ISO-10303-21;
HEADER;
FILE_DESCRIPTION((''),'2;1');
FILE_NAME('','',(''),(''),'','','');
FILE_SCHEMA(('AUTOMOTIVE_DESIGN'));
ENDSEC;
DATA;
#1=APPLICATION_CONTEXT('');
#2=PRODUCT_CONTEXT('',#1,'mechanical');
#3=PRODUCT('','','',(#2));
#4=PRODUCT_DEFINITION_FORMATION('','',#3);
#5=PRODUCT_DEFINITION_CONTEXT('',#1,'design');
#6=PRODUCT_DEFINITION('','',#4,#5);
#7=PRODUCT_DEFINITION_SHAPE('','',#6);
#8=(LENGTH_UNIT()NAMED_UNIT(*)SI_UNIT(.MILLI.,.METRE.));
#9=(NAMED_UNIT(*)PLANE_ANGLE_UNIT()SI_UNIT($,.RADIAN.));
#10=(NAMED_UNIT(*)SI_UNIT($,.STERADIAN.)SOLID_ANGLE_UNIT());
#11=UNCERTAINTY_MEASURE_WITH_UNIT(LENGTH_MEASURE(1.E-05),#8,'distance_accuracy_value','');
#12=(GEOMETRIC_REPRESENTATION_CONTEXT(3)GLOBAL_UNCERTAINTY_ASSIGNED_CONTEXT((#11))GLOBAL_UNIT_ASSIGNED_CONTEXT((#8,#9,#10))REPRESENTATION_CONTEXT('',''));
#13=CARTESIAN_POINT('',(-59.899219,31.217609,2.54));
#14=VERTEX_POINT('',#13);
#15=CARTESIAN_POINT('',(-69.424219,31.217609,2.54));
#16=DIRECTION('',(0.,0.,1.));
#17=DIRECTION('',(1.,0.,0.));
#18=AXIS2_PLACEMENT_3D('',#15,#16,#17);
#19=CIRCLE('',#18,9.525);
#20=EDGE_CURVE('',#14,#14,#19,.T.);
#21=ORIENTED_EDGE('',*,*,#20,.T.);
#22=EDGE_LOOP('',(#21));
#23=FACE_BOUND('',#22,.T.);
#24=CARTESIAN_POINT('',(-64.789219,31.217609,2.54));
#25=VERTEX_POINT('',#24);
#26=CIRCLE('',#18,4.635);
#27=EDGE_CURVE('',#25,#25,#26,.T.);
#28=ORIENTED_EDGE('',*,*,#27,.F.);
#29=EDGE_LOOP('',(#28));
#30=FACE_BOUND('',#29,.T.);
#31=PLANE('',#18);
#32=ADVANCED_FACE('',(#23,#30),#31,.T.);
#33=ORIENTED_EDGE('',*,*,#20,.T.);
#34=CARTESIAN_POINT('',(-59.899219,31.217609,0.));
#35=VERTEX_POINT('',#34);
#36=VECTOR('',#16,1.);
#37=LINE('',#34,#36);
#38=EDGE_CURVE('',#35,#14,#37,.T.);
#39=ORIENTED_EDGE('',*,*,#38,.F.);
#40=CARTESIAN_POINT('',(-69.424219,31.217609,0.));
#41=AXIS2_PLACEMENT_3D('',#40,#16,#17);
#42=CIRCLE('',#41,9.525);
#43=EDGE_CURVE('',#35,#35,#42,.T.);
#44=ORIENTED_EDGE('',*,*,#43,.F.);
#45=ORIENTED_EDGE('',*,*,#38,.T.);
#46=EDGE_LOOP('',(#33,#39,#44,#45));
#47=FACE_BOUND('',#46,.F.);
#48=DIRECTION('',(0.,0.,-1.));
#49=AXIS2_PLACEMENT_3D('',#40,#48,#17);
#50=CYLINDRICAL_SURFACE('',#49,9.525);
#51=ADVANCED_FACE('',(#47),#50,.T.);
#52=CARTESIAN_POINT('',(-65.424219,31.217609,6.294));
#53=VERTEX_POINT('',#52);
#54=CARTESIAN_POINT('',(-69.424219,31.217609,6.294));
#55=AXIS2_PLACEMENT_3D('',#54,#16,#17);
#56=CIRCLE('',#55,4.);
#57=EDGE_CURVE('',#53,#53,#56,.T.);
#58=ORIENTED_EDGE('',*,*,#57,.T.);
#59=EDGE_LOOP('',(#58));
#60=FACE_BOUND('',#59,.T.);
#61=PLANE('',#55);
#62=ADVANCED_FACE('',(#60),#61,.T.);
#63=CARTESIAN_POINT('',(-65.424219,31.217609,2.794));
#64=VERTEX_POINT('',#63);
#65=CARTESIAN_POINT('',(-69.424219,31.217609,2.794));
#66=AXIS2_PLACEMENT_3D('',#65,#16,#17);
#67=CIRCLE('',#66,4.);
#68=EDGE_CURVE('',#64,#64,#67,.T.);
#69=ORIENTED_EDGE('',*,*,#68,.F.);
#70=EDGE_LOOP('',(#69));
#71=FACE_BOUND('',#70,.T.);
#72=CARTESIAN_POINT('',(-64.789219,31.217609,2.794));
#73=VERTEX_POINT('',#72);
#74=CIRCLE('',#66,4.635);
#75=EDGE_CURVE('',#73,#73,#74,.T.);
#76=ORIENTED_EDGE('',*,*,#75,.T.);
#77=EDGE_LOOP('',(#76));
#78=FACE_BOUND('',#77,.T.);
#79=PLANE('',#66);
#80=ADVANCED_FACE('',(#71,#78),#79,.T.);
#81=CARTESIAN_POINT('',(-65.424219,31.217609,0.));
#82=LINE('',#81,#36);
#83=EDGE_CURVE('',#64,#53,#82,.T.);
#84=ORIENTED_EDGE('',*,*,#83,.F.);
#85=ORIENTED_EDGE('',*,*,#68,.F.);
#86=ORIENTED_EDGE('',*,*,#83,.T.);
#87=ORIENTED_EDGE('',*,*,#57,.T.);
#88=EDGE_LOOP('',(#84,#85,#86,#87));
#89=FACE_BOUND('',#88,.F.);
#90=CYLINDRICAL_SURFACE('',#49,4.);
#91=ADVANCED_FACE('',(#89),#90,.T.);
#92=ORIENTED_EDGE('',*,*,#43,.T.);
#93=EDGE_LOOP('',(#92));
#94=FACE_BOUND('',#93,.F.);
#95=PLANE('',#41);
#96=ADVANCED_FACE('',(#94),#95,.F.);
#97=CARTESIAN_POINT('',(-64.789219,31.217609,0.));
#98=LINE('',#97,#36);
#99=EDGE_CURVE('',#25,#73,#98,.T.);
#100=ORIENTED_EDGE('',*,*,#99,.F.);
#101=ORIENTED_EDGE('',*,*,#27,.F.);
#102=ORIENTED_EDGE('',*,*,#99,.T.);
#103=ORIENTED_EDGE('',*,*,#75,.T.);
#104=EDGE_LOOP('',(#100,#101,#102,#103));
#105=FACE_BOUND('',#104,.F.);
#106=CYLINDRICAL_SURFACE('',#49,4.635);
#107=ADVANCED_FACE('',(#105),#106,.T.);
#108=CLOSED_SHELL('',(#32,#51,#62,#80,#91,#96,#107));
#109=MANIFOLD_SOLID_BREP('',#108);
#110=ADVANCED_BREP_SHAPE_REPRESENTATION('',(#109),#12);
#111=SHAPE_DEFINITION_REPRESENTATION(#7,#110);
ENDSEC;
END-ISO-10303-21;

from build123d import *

# Parameters (mm, degrees)
F0_R     = 9.525
F0_R_2   = 4.635
F1_DEPTH = 2.54
F0_R_3   = 4
F2_DEPTH = 2.794
F3_DEPTH = 6.294


with BuildPart() as f1:
    # F0 (on Top) → F1 (new body)
    with BuildSketch(Plane.XY):
        with Locations((-69.424219, 31.217609)):
            Circle(F0_R)
        with Locations((-69.424219, 31.217609)):
            Circle(F0_R_2, mode=Mode.SUBTRACT)
    extrude(amount=F1_DEPTH)

    # F0 (on Top) → F2 (join)
    with BuildSketch(Plane.XY):
        with Locations((-69.424219, 31.217609)):
            Circle(F0_R_2)
        with Locations((-69.424219, 31.217609)):
            Circle(F0_R_3, mode=Mode.SUBTRACT)
    extrude(amount=F2_DEPTH)

    # F0 (on Top) → F3 (join)
    with BuildSketch(Plane.XY):
        with Locations((-69.424219, 31.217609)):
            Circle(F0_R_3)
    extrude(amount=F3_DEPTH)


solid = f1.part
